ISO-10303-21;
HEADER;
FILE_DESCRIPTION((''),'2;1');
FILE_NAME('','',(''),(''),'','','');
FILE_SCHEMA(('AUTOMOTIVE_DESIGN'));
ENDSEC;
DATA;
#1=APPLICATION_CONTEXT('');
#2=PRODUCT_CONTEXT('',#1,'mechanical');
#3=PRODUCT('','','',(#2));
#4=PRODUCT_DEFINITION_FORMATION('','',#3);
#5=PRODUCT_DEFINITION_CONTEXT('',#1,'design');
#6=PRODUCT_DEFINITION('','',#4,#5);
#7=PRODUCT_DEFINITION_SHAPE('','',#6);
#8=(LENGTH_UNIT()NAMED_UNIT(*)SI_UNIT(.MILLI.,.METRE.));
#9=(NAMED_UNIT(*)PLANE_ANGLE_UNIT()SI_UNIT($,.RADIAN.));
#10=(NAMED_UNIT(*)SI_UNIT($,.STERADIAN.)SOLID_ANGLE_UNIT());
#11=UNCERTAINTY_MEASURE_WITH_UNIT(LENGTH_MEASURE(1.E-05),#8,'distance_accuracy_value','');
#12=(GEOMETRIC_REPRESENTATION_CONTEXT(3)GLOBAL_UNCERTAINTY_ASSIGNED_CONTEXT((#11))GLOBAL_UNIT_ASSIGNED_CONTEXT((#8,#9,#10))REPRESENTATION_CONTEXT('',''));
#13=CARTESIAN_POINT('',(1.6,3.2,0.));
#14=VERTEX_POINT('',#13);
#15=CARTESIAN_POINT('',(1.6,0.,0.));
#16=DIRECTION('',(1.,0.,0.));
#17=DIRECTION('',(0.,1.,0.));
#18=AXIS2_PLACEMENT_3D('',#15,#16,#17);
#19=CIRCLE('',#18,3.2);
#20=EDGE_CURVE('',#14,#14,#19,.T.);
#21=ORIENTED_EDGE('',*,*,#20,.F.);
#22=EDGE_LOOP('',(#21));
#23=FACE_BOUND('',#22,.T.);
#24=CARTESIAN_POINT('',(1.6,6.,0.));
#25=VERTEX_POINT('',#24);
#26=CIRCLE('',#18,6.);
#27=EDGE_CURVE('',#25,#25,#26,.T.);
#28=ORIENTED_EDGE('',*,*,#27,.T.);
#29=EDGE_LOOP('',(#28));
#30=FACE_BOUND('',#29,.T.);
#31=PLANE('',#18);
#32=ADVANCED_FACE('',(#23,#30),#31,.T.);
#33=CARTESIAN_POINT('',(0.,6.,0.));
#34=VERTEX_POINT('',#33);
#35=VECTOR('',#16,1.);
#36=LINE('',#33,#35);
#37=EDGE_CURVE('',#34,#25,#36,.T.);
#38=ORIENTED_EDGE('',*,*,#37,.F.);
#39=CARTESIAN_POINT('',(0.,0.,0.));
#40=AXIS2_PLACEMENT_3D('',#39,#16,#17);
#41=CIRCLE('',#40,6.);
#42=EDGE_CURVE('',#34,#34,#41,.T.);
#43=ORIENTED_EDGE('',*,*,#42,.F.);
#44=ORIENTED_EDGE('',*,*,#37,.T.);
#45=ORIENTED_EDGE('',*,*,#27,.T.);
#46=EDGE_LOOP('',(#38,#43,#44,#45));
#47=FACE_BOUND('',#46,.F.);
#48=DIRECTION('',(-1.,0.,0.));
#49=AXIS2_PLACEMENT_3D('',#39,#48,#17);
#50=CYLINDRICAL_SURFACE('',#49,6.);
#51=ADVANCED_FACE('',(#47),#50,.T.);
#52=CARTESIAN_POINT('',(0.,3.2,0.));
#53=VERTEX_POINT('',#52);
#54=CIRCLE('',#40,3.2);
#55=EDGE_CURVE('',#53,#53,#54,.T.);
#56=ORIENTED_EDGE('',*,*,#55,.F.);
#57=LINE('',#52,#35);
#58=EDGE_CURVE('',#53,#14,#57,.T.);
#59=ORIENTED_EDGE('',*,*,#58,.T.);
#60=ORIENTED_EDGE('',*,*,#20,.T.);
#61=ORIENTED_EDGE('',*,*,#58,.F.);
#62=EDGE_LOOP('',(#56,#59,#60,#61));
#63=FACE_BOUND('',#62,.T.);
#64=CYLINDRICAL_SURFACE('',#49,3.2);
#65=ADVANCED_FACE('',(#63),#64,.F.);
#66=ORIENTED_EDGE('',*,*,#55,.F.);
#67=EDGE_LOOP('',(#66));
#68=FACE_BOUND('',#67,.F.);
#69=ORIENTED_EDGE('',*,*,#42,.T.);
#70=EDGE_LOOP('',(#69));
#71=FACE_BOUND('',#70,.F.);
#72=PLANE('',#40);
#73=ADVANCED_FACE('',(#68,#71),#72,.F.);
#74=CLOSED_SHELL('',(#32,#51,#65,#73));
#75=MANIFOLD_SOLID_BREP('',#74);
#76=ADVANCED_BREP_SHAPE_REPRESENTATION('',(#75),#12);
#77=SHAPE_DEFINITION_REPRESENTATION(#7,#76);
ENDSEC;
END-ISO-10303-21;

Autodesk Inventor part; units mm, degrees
ref_plane "YZ Plane" through (0, 0, 0) normal (1, 0, 0) x (0, 1, 0)
ref_plane "XZ Plane" through (0, 0, 0) normal (0, 1, 0) x (-1, 0, 0)
sketch "Sketch" plane through (0, 0, 0) normal (1, 0, 0) x (0, 1, 0)
  circle A0 centre (0, 0) radius 6
  circle A1 centre (0, 0) radius 3.2
  dimension "d0" = 6.4
  dimension "d1" = 12
extrude "Body" add sketch "Sketch" along normal blind 1.6
ref_plane "Work Plane1" through (0, 0, 0) normal (0, 0, 1) x (1, 0, 0)
equation "\"d0\" = SD1"
equation "\"d1\" = SD2"
equation "\"d2\" = SD"
equation "\"SD1\" = 6.4"
equation "\"SD2\" = 12"
equation "\"SD\" = 1.6"
equation "\"NND\" = 6"
properties part number "100009" material "Steel, Mild"
